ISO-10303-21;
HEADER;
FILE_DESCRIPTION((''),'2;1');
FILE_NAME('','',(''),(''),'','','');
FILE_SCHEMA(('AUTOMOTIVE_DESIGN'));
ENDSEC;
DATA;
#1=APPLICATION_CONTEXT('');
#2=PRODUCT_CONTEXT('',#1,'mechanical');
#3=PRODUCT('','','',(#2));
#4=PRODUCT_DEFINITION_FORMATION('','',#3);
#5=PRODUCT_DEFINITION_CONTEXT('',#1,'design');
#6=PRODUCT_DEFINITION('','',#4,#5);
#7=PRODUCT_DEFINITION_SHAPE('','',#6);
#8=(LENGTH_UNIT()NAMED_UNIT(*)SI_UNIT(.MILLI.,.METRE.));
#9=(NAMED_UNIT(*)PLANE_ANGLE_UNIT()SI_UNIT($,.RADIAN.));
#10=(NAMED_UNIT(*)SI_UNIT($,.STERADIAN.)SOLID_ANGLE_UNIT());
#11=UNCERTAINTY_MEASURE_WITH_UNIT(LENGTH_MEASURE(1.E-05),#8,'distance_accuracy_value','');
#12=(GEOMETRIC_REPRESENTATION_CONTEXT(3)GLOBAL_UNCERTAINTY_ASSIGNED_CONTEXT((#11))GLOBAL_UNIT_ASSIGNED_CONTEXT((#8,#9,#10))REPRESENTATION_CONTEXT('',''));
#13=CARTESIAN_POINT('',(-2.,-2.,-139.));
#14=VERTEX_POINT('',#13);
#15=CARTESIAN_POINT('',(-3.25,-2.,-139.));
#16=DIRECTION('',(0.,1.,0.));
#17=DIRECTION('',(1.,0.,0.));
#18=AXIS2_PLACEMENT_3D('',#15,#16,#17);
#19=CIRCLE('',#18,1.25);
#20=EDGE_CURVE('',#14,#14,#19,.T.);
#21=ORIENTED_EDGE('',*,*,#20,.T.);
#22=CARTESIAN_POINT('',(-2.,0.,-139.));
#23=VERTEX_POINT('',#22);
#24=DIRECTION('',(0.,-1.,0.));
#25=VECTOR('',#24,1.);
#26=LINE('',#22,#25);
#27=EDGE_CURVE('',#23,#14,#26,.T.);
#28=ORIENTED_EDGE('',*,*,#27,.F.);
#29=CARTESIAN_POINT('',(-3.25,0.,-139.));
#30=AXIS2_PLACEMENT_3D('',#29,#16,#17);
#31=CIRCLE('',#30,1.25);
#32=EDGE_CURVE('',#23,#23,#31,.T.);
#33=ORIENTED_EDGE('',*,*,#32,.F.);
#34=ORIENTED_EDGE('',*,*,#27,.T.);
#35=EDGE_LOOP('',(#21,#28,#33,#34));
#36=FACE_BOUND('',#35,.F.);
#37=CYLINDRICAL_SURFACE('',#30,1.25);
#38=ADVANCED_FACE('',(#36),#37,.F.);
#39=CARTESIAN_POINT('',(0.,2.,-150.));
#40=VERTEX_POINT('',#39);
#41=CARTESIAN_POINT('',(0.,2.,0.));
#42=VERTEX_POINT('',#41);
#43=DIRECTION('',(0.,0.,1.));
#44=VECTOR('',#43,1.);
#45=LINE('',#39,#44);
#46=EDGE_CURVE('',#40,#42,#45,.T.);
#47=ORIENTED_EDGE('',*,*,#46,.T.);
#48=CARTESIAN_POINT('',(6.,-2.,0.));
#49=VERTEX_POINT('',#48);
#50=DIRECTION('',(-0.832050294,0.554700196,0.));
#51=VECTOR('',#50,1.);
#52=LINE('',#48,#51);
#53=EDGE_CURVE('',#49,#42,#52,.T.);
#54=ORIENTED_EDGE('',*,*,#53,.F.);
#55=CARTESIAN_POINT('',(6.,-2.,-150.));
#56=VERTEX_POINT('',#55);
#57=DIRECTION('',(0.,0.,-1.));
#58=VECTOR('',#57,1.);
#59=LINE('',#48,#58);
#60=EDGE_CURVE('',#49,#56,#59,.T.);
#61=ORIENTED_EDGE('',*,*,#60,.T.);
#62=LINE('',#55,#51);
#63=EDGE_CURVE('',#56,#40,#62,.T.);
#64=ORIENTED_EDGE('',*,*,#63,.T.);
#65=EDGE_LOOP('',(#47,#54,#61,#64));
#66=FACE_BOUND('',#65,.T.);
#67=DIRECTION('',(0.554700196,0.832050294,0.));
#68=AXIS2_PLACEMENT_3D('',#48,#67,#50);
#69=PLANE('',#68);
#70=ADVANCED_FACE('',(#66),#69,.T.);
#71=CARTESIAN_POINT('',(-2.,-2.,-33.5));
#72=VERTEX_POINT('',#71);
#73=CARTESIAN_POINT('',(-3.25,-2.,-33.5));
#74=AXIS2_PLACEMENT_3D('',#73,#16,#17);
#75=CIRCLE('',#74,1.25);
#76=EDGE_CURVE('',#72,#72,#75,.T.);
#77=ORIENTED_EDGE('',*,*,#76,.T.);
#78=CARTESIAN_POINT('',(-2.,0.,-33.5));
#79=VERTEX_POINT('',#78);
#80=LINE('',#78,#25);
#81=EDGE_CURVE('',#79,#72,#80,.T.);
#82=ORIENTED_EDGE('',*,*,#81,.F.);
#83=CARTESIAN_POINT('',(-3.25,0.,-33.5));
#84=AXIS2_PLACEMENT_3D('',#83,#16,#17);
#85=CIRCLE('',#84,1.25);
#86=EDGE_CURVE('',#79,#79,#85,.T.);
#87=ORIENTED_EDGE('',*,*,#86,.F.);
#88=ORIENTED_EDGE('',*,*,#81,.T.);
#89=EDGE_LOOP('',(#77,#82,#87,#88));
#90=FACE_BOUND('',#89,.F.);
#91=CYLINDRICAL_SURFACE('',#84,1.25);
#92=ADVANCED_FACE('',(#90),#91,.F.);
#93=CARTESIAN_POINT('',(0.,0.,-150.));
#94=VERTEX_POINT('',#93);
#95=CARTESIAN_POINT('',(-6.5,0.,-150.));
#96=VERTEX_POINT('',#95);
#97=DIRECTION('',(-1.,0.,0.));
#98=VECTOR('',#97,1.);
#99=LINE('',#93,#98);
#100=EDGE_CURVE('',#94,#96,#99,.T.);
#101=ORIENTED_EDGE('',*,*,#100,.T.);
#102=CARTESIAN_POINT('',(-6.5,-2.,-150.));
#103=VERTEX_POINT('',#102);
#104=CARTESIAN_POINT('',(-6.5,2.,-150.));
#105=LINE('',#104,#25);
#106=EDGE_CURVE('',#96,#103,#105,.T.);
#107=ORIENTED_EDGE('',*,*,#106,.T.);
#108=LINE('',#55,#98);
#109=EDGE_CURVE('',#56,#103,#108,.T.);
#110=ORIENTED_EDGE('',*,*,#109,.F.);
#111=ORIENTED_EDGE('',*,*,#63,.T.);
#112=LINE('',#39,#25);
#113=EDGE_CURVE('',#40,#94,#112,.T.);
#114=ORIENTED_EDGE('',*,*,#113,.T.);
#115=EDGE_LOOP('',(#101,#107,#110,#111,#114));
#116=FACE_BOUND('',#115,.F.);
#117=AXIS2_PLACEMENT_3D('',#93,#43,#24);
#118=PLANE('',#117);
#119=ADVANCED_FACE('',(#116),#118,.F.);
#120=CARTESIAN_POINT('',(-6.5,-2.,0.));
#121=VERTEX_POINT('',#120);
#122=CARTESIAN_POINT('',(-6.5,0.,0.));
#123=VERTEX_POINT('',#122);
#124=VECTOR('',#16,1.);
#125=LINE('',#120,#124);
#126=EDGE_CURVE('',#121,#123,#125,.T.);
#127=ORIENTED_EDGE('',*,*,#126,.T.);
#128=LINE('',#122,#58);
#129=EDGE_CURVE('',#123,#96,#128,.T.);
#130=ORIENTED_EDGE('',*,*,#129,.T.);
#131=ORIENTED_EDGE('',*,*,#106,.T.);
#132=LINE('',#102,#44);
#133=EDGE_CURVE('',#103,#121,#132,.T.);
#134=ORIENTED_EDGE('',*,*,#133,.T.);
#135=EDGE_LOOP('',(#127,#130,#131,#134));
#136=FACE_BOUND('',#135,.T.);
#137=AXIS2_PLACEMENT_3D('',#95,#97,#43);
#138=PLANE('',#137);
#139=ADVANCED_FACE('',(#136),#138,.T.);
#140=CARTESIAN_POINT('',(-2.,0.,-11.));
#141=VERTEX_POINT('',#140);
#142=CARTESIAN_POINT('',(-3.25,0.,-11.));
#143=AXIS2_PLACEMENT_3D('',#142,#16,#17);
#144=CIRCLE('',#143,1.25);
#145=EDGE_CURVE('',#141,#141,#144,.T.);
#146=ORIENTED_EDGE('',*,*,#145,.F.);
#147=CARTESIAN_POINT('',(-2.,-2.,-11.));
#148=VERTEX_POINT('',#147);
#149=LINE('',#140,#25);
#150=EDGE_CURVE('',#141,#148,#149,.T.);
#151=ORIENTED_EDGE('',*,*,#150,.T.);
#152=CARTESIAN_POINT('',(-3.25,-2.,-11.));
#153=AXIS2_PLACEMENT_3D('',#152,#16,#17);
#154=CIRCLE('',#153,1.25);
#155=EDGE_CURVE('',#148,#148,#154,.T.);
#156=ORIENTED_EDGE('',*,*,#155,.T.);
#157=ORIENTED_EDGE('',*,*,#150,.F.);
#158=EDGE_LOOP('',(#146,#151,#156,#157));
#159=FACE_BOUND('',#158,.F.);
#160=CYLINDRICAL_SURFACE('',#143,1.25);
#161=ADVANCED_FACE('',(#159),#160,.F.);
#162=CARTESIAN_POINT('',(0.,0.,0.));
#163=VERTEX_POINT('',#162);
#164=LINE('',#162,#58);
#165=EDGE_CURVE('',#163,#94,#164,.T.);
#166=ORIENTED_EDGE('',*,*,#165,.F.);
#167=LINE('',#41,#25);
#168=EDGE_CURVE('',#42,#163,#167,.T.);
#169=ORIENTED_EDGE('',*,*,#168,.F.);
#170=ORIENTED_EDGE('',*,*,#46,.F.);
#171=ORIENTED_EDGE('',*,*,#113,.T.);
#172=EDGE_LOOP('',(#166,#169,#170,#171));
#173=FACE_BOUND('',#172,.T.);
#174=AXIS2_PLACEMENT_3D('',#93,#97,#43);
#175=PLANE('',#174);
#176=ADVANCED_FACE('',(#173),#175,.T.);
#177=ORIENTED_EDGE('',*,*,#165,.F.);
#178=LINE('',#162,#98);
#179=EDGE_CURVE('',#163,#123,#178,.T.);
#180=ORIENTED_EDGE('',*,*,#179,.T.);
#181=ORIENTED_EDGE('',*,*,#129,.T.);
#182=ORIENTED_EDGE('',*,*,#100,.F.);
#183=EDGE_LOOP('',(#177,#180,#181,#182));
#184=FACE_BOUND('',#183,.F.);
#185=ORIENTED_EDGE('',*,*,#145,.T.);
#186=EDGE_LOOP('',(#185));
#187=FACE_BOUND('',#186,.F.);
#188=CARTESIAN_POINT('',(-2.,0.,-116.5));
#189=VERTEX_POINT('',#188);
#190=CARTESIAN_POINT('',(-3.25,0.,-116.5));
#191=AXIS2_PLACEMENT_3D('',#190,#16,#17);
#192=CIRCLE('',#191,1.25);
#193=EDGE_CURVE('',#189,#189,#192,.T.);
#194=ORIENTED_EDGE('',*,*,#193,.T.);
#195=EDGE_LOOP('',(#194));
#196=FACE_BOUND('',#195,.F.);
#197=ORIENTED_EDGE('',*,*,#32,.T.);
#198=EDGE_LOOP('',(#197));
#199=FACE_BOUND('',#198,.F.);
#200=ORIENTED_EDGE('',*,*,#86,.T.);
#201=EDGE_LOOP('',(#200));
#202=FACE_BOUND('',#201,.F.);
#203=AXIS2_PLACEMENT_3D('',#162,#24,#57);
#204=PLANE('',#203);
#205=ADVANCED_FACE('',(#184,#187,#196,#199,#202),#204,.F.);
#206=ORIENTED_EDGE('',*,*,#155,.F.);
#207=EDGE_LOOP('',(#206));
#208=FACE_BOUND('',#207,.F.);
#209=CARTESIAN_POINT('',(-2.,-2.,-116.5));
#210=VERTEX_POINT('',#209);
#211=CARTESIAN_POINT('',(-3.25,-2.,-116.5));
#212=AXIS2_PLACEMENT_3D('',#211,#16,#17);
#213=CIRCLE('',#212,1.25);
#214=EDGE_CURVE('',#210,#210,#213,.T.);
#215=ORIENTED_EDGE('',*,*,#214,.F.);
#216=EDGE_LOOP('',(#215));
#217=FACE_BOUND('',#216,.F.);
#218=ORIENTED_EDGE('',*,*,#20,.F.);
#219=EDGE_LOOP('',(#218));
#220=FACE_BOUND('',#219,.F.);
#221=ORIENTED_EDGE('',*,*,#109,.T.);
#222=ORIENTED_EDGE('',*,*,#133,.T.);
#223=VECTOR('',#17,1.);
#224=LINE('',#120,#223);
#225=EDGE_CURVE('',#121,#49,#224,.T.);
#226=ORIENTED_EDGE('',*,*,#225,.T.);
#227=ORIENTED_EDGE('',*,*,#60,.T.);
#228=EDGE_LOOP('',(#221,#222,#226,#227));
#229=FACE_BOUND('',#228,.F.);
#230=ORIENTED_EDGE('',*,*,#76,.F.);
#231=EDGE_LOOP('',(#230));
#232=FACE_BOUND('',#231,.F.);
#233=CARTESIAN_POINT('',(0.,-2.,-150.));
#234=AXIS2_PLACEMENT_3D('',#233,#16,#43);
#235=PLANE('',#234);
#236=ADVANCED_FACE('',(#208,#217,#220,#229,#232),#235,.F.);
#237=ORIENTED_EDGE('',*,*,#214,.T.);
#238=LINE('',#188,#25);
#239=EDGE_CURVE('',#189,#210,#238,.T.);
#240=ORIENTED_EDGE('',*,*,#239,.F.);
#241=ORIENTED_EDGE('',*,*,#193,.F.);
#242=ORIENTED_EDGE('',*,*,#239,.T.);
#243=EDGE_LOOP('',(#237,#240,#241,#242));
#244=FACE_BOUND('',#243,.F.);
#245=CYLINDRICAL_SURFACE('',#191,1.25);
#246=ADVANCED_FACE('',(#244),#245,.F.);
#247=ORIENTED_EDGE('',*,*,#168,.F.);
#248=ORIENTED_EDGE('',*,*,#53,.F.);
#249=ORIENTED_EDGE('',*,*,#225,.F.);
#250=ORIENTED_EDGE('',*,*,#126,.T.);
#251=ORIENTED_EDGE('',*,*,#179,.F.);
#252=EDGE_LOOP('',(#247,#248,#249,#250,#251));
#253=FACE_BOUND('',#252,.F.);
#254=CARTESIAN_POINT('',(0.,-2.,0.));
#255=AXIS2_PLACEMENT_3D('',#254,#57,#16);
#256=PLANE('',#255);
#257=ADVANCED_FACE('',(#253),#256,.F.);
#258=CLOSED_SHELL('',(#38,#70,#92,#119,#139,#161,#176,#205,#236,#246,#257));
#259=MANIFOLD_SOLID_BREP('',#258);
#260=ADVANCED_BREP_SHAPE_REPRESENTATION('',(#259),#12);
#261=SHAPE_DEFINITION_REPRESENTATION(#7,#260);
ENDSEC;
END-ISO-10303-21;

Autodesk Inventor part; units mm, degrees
ref_plane "YZ Plane" through (0, 0, 0) normal (1, 0, 0) x (0, 1, 0)
ref_plane "XZ Plane" through (0, 0, 0) normal (0, 1, 0) x (-1, 0, 0)
ref_plane "XY Plane" through (0, 0, 0) normal (0, 0, 1) x (1, 0, 0)
sketch "Szkic1" plane through (0, 0, 0) normal (0, 1, 0) x (-1, 0, 0)
  line L0 (0, 0) -> (6.5, 0)
  line L1 (6.5, 0) -> (6.5, -150)
  line L2 (6.5, -150) -> (0, -150)
  line L3 (0, -150) -> (0, 0)
  dimension "d0" = 6.5
  dimension "d1" = 150
extrude "Wyciągnięcie proste1" add sketch "Szkic1" along normal blind 2
sketch "Szkic8" plane through (-6.5, 0, 0) normal (0, 0, 1) x (1, 0, 0)
  line L0 (6.5, 2) -> (0, 2) projected
  line L1 (6.5, 2) -> (12.5, 2)
  line L2 (12.5, 2) -> (12.5, -2)
  line L3 (12.5, -2) -> (6.5, -2)
  line L4 (6.5, -2) -> (6.5, 2)
  line L5 (12.5, -2) -> (6.5, 2)
  point P0 (6.5, 0)
  dimension "d34" = 6
  dimension "d35" = 4
extrude "Wyciągnięcie proste6" add sketch "Szkic8" against normal blind 150 contours L5 L3 L4
sketch "Szkic9" plane through (0, 0, -150) normal (-1, 0, 0) x (0, 0, 1)
  line L0 (0, 2) -> (0, -2) projected
  line L1 (0, -2) -> (150, -2)
  line L2 (150, -2) -> (150, 0)
  line L3 (150, 0) -> (0, 0)
  line L4 (0, 0) -> (0, -2)
  line L5 (0, 2) -> (150, 2) projected
  line L6 (150, 0) -> (0, 0)
  line L7 (0, 0) -> (0, 2)
  line L8 (0, 2) -> (150, 2)
  line L9 (150, 2) -> (150, 0)
extrude "Wyciągnięcie proste7" cut sketch "Szkic9" along normal blind 10 contours L5 L9 L3 L0
extrude "Wyciągnięcie proste8" add sketch "Szkic9" along normal blind 6.5 contours L3 L2 L1 L0
sketch "Szkic10" plane through (0, 0, 0) normal (0, 1, 0) x (1, 0, 0)
  circle A0 centre (-3.25, 11) radius 1.25
  line L0 (0, 0) -> (-6.5, 0) projected
  line L1 (-6.5, 0) -> (-6.5, 150) projected
  circle A1 centre (-3.25, 33.5) radius 1.25
  circle A2 centre (-3.25, 116.5) radius 1.25
  circle A3 centre (-3.25, 139) radius 1.25
  line L2 (0, 150) -> (-6.5, 150) projected
  point P0 (-3.25, 0)
  point P1 (-3.25, 150)
  dimension "d42" = 2.5
  dimension "d43" = 11
  dimension "d44" = 3.25
  dimension "d45" = 2.5
  dimension "d46" = 3.25
  dimension "d47" = 33.5
  dimension "d49" = 2.5
  dimension "d50" = 2.5
  dimension "d53" = 11
  dimension "d54" = 33.5
  dimension "d55" = 3.25
  dimension "d56" = 3.25
extrude "Wyciągnięcie proste9" cut sketch "Szkic10" against normal blind 2
thread "Gwint5" size "M3x0.5" class "6H" standard "ANSI Metric M Profile" full length
thread "Gwint6" size "M3x0.5" class "6H" standard "ANSI Metric M Profile" full length
thread "Gwint8" size "M3x0.5" class "6H" standard "ANSI Metric M Profile" full length
thread "Gwint9" size "M3x0.5" class "6H" standard "ANSI Metric M Profile" full length
properties part number "pługmoj" material "Stal, miękka"
